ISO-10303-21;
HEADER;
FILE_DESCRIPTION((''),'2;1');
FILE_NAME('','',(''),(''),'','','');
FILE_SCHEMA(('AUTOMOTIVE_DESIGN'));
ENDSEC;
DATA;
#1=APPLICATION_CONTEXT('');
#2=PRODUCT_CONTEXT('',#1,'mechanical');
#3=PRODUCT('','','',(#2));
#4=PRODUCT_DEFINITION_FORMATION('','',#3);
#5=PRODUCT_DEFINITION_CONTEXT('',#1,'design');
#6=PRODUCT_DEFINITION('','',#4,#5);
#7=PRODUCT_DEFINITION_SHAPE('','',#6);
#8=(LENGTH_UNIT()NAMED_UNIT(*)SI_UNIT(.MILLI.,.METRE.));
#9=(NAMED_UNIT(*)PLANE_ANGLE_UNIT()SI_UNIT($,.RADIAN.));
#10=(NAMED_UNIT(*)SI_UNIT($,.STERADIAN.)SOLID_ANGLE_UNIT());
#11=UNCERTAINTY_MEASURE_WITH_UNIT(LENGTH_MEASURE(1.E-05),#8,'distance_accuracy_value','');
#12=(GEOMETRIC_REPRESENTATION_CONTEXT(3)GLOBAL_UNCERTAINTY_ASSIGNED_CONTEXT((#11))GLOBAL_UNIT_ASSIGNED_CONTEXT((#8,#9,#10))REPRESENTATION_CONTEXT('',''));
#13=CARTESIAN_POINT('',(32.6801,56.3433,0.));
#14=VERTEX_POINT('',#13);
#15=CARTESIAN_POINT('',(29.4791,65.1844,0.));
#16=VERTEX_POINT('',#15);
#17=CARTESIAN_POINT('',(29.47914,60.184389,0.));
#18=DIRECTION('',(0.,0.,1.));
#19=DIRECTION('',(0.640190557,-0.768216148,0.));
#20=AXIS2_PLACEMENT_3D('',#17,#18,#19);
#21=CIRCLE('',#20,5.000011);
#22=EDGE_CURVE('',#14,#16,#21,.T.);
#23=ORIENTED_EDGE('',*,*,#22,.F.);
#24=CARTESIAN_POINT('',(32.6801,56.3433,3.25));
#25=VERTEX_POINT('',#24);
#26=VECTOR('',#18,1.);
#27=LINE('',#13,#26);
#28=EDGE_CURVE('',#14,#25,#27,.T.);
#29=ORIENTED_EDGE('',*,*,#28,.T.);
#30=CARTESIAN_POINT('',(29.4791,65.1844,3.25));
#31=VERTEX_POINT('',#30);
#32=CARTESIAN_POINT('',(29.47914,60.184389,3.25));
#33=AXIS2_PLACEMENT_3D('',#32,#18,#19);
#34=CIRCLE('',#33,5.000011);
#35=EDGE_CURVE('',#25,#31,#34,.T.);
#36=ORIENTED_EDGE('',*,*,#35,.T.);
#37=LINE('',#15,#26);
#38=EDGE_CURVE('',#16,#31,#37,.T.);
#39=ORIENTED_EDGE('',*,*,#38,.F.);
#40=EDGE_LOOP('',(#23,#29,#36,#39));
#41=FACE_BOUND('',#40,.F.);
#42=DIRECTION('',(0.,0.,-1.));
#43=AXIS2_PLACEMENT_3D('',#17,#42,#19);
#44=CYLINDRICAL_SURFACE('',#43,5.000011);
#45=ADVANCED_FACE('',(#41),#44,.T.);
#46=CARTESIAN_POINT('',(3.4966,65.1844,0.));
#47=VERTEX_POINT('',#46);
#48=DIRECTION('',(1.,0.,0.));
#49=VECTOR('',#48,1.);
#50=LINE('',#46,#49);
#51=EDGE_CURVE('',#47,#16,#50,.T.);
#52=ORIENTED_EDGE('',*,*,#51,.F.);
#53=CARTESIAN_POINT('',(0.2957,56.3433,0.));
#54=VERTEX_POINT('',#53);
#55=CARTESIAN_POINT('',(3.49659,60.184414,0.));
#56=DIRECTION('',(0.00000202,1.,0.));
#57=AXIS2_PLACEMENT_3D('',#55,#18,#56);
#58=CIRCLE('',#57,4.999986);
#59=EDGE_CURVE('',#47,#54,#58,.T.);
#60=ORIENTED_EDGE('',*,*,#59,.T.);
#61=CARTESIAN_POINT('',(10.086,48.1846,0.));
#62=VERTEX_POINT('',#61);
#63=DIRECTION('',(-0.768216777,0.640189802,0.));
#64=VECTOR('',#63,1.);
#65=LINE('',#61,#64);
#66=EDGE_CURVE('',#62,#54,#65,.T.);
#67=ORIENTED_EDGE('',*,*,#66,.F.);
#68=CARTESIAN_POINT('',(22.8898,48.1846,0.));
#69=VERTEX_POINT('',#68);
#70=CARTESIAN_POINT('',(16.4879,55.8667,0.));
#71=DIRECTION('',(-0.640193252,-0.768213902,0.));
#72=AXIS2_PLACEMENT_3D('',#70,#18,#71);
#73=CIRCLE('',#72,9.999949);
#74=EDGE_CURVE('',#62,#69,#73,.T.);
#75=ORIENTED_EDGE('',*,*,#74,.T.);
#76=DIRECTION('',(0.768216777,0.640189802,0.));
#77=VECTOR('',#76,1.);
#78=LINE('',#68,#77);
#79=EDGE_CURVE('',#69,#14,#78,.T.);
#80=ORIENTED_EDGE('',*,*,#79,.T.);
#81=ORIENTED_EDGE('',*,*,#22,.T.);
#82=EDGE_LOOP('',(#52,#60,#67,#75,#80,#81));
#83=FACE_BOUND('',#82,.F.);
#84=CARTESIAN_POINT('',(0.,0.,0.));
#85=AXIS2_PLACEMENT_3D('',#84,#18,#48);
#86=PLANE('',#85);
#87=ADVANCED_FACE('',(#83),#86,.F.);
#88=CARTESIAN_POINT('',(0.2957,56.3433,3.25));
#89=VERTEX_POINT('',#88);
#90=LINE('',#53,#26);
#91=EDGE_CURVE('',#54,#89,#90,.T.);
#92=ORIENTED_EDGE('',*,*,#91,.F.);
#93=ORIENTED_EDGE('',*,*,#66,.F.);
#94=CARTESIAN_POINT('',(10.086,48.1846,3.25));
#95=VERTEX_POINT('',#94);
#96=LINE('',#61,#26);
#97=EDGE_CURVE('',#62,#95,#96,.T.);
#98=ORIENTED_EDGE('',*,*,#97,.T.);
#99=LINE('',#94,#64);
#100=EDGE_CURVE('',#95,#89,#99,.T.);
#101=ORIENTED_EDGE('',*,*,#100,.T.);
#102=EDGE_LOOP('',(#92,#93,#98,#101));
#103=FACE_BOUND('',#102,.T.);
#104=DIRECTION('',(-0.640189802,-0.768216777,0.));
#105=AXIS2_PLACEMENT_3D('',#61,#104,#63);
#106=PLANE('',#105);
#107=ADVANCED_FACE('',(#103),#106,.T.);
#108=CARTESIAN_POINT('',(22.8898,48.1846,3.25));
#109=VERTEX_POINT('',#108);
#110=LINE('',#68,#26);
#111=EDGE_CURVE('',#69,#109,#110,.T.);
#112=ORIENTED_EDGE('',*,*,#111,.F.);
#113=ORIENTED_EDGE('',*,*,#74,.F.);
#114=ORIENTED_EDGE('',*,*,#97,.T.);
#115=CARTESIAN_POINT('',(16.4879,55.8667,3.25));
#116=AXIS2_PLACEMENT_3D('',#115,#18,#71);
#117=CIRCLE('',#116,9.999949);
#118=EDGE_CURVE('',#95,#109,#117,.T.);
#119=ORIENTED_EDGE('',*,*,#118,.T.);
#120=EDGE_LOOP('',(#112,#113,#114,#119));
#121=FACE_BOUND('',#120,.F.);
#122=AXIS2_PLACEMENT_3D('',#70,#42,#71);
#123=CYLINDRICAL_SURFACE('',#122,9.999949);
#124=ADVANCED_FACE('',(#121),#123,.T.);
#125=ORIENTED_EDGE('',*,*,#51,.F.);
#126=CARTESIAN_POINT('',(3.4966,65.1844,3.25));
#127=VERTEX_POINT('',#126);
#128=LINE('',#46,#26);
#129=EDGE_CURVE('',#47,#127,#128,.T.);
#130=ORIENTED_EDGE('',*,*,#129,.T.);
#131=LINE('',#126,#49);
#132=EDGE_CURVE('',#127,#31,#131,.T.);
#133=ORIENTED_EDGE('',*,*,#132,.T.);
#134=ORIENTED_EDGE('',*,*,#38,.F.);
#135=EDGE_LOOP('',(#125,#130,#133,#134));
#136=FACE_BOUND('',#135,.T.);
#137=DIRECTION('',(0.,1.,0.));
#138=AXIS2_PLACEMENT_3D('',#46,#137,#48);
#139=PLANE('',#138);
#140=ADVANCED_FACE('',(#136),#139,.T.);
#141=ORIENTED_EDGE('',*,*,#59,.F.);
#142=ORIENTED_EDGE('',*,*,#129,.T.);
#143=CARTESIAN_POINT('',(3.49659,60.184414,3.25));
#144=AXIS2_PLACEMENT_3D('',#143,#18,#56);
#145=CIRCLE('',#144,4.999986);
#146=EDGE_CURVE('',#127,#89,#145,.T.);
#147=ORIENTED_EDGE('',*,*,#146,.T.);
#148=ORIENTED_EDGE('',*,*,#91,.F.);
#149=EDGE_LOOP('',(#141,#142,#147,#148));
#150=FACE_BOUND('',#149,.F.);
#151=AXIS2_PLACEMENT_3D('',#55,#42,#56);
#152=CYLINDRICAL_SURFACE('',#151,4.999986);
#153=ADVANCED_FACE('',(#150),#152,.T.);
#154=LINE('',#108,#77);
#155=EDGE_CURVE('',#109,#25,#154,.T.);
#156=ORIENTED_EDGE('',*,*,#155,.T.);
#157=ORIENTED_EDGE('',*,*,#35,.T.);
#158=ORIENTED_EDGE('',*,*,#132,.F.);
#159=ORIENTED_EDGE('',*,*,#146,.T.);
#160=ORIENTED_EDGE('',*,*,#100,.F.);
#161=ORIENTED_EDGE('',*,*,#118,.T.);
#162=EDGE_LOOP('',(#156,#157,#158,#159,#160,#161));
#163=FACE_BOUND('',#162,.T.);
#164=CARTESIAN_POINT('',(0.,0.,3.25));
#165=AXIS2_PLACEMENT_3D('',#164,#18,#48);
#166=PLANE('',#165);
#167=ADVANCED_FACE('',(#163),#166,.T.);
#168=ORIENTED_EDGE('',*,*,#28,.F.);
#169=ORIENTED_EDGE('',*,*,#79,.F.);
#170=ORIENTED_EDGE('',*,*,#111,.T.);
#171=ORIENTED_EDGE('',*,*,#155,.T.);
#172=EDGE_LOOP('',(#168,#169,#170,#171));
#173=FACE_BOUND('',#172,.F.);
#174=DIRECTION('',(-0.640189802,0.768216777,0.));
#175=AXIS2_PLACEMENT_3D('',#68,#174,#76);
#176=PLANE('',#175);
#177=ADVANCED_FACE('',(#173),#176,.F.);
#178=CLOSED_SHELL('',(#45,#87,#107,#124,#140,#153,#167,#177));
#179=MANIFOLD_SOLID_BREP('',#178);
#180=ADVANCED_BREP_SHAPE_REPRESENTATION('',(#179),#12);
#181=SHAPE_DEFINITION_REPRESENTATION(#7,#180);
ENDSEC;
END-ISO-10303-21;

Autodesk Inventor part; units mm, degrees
ref_plane "YZ Plane" through (0, 0, 0) normal (1, 0, 0) x (0, 1, 0)
ref_plane "XZ Plane" through (0, 0, 0) normal (0, 1, 0) x (-1, 0, 0)
ref_plane "XY Plane" through (0, 0, 0) normal (0, 0, 1) x (1, 0, 0)
sketch "Sketch1" plane through (0, 0, 0) normal (0, 0, 1) x (1, 0, 0)
  line L0 (-92.7646, -8.503) -> (-89.7646, -8.503)
  line L1 (-89.7646, -8.503) -> (-89.7646, -11.753)
  line L2 (-89.7646, -11.753) -> (-92.7646, -11.753)
  line L3 (-92.7646, -11.753) -> (-92.7646, -8.503)
  line L4 (-92.7646, -21.6527) -> (-89.7646, -21.6527)
  line L5 (-89.7646, -21.6527) -> (-89.7646, -21.7527)
  line L6 (-89.7646, -21.7527) -> (-92.7646, -21.7527)
  line L7 (-92.7646, -21.7527) -> (-92.7646, -21.6527)
  line L8 (-43.5121, 19.6165) -> (76.4879, 19.6165)
  line L9 (76.4879, 19.6165) -> (76.4879, 99.6165)
  line L10 (76.4879, 99.6165) -> (-43.5121, 99.6165)
  line L11 (-43.5121, 99.6165) -> (-43.5121, 19.6165)
  line L12 (16.4879, 99.6165) -> (16.4879, 19.6165) construction
  line L13 (-43.5121, 59.6165) -> (76.4879, 59.6165) construction
  line L14 (3.9879, 63.1165) -> (7.2379, 63.1165)
  line L15 (7.2379, 63.1165) -> (7.2379, 56.1165)
  line L16 (7.2379, 56.1165) -> (3.9879, 56.1165)
  line L17 (3.9879, 56.1165) -> (3.9879, 63.1165)
  line L18 (3.9879, 59.6165) -> (7.2379, 59.6165) construction
  line L19 (28.9879, 63.1165) -> (25.7379, 63.1165)
  line L20 (25.7379, 63.1165) -> (25.7379, 56.1165)
  line L21 (25.7379, 56.1165) -> (28.9879, 56.1165)
  line L22 (28.9879, 56.1165) -> (28.9879, 63.1165)
  line L23 (28.9879, 59.6165) -> (25.7379, 59.6165) construction
  circle A0 centre (-1.5121, 74.6165) radius 5
  circle A1 centre (34.4879, 74.6165) radius 5
  circle A2 centre (-3.5121, 37.1165) radius 2.5
  circle A3 centre (6.4879, 37.1165) radius 2.5
  circle A4 centre (16.4879, 37.1165) radius 2.5
  circle A5 centre (26.4879, 37.1165) radius 2.5
  circle A6 centre (36.4879, 37.1165) radius 2.5
  circle A7 centre (-3.5121, 44.1165) radius 2.5
  line L24 (-6.0121, 37.1165) -> (-1.0121, 37.1165) construction
  circle A8 centre (-3.5121, 30.1165) radius 2.5
  line L25 (6.4879, 39.6165) -> (6.4879, 34.6165) construction
  circle A9 centre (36.4879, 44.1165) radius 2.5
  circle A10 centre (36.4879, 30.1165) radius 2.5
  circle A11 centre (16.4879, 30.1165) radius 2.5
  line L26 (-43.5121, 99.6165) -> (-53.5121, 99.6165)
  line L27 (-53.5121, 99.6165) -> (-53.5121, 19.6165)
  line L28 (-53.5121, 19.6165) -> (-43.5121, 19.6165)
  line L29 (-43.5121, 19.6165) -> (-43.5121, 99.6165)
  arc A12 (16.4879, 99.6165) -> (-34.1013, 83.0147) centre (13.3048, 23.9368) ccw
  arc A13 (-34.1013, 36.2182) -> (16.4879, 19.6165) centre (13.3048, 95.2961) ccw
  arc A14 (-34.1013, 83.0147) -> (-34.1013, 36.2182) centre (-15.3258, 59.6165) ccw
  arc A15 (67.0771, 83.0147) -> (16.4879, 99.6165) centre (19.6709, 23.9368) ccw
  arc A16 (16.4879, 19.6165) -> (67.0771, 36.2182) centre (19.6709, 95.2961) ccw
  arc A17 (67.0771, 36.2182) -> (67.0771, 83.0147) centre (48.3015, 59.6165) ccw
  line L30 (10.086, 48.1846) -> (0.2957, 56.3433)
  line L31 (3.4966, 65.1844) -> (16.4879, 65.1844)
  arc A18 (3.4966, 65.1844) -> (0.2957, 56.3433) centre (3.4966, 60.1844) ccw
  line L32 (22.8898, 48.1846) -> (32.6801, 56.3433)
  line L33 (29.4791, 65.1844) -> (16.4879, 65.1844)
  arc A19 (32.6801, 56.3433) -> (29.4791, 65.1844) centre (29.4791, 60.1844) ccw
  arc A20 (10.086, 48.1846) -> (22.8898, 48.1846) centre (16.4879, 55.8667) ccw
  point P0 (0, 0)
  point P1 (16.4879, 42.8496)
  dimension "d3" = 3
  dimension "mat" = 3.25
  dimension "d5" = 3
  dimension "kerf" = 0.1
  dimension "d42" = 120
  dimension "d43" = 80
  dimension "d44" = 3.25
  dimension "d45" = 7
  dimension "d47" = 9.25
  dimension "d50" = 10
  dimension "d51" = 13
  dimension "d54" = 20
  dimension "d55" = 5
  dimension "d58" = 10
  dimension "d63" = 15
  dimension "d64" = 5
  dimension "d65" = 7
  dimension "d69" = 10
  dimension "d70" = 30
  dimension "d73" = 5
  dimension "d74" = 10
extrude "Extrusion11" add sketch "Sketch1" along normal blind 3.25 contours L14 L15 L16 L17 | L22 L21 L20 L19 | L30 A18 L31 L33 A19 L32 A20
equation "\"d44\" = mat"
equation "\"d77\" = mat"
properties part number "body-back"
